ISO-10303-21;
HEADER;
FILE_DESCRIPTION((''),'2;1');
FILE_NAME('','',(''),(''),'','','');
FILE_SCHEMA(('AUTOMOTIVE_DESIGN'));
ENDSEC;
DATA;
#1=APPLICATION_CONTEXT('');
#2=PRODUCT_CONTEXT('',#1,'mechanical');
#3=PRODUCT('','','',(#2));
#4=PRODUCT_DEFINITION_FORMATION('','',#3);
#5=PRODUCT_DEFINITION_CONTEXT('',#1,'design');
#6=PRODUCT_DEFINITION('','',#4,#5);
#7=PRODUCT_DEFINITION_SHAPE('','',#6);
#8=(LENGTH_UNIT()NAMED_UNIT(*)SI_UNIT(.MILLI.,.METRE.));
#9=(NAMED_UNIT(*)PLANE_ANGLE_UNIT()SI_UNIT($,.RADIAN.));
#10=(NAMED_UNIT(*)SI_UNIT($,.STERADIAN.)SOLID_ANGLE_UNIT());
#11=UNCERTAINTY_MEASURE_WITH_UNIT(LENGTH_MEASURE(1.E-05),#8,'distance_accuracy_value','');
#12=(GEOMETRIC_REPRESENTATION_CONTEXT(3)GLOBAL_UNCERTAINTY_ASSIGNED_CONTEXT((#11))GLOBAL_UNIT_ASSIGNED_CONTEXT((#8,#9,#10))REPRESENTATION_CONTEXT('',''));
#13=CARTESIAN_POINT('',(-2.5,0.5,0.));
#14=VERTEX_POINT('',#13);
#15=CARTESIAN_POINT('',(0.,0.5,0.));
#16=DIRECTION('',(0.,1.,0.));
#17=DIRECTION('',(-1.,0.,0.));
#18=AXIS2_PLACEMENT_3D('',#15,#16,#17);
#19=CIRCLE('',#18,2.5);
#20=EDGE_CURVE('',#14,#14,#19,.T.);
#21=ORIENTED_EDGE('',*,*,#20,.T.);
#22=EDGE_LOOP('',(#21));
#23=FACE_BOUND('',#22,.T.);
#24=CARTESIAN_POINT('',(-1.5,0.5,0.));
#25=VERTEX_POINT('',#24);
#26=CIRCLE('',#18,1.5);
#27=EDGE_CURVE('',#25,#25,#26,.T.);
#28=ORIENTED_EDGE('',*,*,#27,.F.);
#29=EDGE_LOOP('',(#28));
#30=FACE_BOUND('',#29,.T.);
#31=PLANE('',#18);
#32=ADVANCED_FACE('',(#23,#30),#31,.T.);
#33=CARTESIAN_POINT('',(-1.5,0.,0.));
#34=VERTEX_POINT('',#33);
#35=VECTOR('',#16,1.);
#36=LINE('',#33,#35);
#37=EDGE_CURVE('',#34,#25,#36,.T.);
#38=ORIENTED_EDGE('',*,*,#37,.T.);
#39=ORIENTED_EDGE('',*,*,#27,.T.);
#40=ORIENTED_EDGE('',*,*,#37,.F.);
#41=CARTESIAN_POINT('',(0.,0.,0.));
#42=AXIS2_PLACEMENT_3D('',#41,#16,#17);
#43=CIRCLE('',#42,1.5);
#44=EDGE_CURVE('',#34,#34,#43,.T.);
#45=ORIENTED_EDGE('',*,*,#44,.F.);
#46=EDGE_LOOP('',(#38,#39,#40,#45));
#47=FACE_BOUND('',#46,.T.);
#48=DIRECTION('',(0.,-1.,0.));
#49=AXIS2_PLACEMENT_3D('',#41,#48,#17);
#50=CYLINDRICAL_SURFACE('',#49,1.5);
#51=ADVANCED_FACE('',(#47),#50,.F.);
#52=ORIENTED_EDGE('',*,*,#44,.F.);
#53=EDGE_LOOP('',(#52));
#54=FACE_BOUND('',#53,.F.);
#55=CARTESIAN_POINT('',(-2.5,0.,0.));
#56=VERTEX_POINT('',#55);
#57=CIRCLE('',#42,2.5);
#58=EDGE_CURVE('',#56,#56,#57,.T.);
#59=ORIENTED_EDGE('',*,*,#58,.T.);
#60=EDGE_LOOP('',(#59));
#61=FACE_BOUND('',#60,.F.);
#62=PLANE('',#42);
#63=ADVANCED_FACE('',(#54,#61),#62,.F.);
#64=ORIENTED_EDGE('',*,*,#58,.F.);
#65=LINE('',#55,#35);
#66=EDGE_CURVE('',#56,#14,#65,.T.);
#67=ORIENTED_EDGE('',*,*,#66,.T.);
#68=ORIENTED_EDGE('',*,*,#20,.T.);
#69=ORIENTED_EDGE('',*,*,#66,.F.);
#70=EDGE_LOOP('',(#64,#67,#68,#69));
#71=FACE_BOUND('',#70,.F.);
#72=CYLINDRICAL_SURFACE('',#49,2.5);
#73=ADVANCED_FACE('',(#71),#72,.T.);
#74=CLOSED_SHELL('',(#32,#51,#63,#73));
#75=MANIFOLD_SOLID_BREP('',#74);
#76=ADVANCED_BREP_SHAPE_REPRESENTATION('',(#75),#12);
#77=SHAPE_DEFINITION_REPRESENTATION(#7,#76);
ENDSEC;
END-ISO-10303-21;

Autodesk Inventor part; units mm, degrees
ref_plane "YZ Plane" through (0, 0, 0) normal (1, 0, 0) x (0, 1, 0)
ref_plane "XZ Plane" through (0, 0, 0) normal (0, 1, 0) x (-1, 0, 0)
ref_plane "XY Plane" through (0, 0, 0) normal (0, 0, 1) x (1, 0, 0)
sketch "Sketch1" plane through (0, 0, 0) normal (0, 1, 0) x (-1, 0, 0)
  circle A0 centre (0, 0) radius 1.5
  circle A1 centre (0, 0) radius 2.5
  dimension "d0" = 3
  dimension "d1" = 5
extrude "Extrusion1" add sketch "Sketch1" along normal blind 0.5
properties part number "SPACER" material "Brass, Soft Yellow"
